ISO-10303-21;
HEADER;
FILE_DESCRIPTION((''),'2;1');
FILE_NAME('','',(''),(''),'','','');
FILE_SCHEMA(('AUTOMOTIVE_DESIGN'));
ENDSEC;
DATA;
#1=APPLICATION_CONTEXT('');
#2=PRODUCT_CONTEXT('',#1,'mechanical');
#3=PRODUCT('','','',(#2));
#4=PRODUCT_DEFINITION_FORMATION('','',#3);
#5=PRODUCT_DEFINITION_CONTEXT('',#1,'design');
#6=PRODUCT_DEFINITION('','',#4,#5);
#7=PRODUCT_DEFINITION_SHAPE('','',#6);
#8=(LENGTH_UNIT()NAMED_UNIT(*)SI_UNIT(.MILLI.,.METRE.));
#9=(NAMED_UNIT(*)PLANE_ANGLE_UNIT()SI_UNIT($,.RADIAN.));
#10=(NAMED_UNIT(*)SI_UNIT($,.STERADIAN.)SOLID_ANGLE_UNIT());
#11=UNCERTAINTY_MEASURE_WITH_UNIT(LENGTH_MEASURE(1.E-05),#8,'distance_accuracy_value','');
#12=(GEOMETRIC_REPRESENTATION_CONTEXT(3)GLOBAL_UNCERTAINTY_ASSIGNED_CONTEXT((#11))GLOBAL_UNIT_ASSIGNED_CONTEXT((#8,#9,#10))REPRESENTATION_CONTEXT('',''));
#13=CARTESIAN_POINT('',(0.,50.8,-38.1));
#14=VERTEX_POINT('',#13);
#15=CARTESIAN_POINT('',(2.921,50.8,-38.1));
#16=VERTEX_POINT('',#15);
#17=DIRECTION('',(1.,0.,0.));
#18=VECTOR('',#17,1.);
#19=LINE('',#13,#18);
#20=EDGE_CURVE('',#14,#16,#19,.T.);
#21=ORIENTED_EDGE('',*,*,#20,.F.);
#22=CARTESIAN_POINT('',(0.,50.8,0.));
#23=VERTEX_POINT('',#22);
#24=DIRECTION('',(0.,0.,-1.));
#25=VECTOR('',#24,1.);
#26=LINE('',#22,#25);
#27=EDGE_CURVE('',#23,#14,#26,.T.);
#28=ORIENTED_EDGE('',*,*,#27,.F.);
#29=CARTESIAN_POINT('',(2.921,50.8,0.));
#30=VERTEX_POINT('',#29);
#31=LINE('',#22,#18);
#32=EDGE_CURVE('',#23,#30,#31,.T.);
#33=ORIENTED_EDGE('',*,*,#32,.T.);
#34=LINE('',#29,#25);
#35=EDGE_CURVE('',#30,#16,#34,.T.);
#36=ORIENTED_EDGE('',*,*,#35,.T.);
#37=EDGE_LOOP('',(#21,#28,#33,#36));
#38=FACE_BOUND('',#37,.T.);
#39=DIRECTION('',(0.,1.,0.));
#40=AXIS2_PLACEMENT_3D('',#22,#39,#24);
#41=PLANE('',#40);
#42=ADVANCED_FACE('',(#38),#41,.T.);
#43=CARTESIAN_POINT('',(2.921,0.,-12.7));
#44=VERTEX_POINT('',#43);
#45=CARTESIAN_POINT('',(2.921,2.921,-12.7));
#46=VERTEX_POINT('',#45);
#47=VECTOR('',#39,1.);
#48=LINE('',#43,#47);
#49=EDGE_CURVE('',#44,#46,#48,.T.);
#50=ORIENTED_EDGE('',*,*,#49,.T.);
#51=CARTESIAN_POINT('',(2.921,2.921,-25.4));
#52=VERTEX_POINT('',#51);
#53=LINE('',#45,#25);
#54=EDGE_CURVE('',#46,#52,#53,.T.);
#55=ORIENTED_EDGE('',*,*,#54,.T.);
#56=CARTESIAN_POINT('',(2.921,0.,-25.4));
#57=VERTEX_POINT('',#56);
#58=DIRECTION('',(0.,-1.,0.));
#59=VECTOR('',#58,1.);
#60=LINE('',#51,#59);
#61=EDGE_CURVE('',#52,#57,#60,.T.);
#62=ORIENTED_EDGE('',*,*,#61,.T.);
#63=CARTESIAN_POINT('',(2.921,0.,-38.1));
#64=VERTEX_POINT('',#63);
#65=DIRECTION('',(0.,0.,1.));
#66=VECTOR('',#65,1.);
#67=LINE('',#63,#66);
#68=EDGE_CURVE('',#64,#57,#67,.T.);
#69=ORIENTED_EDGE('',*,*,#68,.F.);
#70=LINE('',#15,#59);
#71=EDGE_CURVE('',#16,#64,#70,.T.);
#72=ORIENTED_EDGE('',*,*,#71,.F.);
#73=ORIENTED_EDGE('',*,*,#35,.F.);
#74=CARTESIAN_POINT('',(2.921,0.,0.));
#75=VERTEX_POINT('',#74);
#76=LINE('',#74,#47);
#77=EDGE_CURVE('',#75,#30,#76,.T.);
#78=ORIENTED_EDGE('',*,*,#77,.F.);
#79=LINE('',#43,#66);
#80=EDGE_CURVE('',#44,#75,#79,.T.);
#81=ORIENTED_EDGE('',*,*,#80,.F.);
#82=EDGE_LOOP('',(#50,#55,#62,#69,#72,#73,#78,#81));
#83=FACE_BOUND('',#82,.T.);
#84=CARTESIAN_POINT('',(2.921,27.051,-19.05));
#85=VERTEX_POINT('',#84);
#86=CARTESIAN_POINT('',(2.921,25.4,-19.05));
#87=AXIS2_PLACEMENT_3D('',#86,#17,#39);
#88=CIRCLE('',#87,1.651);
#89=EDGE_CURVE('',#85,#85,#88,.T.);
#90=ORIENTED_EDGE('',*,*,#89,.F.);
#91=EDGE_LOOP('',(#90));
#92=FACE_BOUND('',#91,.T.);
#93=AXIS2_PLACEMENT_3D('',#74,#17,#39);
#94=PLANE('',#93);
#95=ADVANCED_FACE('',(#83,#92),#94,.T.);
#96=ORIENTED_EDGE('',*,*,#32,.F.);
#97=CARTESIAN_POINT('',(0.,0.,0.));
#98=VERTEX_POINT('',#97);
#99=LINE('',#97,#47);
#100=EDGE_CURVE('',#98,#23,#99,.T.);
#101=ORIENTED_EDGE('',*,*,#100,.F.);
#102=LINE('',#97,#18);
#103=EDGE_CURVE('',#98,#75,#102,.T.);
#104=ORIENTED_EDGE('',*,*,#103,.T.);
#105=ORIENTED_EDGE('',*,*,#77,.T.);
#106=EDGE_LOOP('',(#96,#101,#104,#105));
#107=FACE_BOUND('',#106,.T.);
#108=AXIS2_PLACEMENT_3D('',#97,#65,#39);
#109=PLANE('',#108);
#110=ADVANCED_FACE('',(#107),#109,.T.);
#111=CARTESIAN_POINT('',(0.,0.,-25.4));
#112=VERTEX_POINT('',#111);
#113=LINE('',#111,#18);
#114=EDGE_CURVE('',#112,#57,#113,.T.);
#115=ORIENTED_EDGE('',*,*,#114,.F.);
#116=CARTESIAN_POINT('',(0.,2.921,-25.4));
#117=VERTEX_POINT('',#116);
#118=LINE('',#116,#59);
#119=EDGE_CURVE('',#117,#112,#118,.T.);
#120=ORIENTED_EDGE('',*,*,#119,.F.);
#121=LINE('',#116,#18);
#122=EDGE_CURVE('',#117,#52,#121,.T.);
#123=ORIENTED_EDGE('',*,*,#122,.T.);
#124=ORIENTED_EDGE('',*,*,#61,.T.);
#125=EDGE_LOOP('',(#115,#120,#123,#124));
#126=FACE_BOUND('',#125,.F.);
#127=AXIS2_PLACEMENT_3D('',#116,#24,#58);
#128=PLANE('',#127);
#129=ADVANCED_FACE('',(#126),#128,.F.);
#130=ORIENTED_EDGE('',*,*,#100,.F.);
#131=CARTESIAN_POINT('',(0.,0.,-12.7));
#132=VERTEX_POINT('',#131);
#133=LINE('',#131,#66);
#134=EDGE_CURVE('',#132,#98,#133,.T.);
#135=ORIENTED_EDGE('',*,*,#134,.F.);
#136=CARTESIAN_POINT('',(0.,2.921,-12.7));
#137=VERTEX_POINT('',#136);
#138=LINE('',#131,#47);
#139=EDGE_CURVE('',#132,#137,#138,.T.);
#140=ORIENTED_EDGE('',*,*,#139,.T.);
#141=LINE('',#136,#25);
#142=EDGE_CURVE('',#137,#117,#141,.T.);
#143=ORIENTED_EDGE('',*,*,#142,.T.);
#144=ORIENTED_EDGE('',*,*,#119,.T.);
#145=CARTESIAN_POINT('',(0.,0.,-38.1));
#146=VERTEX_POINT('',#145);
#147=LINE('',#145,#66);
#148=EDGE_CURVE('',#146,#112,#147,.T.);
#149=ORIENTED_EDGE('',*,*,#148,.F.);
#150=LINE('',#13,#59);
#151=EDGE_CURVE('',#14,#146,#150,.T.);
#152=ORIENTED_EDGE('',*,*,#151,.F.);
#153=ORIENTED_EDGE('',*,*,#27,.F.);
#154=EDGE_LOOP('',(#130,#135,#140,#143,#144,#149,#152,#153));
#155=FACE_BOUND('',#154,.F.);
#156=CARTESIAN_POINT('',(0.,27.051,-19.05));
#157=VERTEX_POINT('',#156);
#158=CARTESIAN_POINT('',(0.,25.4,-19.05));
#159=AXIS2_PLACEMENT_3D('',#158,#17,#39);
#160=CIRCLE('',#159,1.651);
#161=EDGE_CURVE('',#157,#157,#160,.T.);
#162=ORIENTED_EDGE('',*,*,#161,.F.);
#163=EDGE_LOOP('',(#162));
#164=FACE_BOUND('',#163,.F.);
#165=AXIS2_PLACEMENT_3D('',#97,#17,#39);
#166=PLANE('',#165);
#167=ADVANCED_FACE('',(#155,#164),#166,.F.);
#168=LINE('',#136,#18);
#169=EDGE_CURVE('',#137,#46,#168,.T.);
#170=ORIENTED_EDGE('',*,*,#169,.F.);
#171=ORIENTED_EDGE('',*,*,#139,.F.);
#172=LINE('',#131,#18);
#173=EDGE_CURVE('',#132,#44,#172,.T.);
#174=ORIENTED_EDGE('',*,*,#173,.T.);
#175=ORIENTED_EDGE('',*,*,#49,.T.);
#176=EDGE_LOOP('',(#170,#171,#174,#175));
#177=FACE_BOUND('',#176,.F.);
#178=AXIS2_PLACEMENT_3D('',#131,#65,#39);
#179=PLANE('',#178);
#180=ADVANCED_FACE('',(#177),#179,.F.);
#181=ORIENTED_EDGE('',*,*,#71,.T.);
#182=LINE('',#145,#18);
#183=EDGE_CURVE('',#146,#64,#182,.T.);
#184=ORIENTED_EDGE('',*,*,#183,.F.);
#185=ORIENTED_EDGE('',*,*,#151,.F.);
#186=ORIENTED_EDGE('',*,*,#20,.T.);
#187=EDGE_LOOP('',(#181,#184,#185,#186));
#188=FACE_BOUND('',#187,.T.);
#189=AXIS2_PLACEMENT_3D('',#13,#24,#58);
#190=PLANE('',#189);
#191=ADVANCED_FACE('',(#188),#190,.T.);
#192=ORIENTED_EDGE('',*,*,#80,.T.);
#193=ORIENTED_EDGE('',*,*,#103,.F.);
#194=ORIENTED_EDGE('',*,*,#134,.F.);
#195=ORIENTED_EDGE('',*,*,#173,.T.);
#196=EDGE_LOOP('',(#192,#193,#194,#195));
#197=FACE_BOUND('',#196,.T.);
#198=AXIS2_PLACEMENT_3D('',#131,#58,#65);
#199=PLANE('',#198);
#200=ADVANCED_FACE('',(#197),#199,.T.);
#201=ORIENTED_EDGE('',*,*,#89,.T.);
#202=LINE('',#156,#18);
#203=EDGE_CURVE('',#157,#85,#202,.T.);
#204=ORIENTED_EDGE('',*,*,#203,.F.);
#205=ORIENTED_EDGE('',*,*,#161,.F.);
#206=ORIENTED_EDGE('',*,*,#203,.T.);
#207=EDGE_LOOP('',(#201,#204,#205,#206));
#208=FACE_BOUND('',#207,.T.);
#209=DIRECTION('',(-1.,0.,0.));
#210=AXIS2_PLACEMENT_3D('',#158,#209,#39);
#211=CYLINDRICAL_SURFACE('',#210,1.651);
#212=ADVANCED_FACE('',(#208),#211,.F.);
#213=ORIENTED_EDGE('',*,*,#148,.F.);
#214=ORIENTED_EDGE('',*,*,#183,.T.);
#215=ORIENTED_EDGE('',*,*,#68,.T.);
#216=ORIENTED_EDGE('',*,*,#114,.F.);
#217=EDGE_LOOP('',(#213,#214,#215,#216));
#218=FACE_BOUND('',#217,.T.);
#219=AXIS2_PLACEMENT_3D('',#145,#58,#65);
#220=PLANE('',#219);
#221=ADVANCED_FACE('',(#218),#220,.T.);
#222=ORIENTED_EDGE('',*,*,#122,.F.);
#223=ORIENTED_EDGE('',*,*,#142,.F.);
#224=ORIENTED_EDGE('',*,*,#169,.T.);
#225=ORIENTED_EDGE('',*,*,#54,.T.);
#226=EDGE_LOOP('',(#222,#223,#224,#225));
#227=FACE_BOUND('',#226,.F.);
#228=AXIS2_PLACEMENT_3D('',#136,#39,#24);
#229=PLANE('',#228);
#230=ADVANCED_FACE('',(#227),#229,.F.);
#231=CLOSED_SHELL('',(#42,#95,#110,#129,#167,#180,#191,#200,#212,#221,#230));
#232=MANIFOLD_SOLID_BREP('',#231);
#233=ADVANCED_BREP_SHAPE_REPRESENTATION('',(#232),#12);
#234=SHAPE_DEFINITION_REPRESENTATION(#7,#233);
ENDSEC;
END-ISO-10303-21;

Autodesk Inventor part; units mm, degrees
ref_plane "YZ Plane" through (0, 0, 0) normal (1, 0, 0) x (0, 1, 0)
ref_plane "XZ Plane" through (0, 0, 0) normal (0, 1, 0) x (-1, 0, 0)
ref_plane "XY Plane" through (0, 0, 0) normal (0, 0, 1) x (1, 0, 0)
sketch "Sketch1" plane through (0, 0, 0) normal (1, 0, 0) x (0, 1, 0)
  line L0 (0, 0) -> (50.8, 0)
  line L1 (50.8, 0) -> (50.8, -38.1)
  line L2 (50.8, -38.1) -> (0, -38.1)
  circle A0 centre (25.4, -19.05) radius 1.651
  line L3 (0, -12.7) -> (2.921, -12.7)
  line L4 (2.921, -12.7) -> (2.921, -25.4)
  line L5 (2.921, -25.4) -> (0, -25.4)
  line L6 (0, -38.1) -> (0, -25.4)
  line L7 (0, -12.7) -> (0, 0)
  dimension "d0" = 50.8
  dimension "d1" = 38.1
  dimension "d2" = 3.302
  dimension "d9" = 12.7
  dimension "d10" = 12.7
  dimension "d11" = 2.921
extrude "Extrusion1" add sketch "Sketch1" along normal blind 2.921
properties part number "wheelsupport"
